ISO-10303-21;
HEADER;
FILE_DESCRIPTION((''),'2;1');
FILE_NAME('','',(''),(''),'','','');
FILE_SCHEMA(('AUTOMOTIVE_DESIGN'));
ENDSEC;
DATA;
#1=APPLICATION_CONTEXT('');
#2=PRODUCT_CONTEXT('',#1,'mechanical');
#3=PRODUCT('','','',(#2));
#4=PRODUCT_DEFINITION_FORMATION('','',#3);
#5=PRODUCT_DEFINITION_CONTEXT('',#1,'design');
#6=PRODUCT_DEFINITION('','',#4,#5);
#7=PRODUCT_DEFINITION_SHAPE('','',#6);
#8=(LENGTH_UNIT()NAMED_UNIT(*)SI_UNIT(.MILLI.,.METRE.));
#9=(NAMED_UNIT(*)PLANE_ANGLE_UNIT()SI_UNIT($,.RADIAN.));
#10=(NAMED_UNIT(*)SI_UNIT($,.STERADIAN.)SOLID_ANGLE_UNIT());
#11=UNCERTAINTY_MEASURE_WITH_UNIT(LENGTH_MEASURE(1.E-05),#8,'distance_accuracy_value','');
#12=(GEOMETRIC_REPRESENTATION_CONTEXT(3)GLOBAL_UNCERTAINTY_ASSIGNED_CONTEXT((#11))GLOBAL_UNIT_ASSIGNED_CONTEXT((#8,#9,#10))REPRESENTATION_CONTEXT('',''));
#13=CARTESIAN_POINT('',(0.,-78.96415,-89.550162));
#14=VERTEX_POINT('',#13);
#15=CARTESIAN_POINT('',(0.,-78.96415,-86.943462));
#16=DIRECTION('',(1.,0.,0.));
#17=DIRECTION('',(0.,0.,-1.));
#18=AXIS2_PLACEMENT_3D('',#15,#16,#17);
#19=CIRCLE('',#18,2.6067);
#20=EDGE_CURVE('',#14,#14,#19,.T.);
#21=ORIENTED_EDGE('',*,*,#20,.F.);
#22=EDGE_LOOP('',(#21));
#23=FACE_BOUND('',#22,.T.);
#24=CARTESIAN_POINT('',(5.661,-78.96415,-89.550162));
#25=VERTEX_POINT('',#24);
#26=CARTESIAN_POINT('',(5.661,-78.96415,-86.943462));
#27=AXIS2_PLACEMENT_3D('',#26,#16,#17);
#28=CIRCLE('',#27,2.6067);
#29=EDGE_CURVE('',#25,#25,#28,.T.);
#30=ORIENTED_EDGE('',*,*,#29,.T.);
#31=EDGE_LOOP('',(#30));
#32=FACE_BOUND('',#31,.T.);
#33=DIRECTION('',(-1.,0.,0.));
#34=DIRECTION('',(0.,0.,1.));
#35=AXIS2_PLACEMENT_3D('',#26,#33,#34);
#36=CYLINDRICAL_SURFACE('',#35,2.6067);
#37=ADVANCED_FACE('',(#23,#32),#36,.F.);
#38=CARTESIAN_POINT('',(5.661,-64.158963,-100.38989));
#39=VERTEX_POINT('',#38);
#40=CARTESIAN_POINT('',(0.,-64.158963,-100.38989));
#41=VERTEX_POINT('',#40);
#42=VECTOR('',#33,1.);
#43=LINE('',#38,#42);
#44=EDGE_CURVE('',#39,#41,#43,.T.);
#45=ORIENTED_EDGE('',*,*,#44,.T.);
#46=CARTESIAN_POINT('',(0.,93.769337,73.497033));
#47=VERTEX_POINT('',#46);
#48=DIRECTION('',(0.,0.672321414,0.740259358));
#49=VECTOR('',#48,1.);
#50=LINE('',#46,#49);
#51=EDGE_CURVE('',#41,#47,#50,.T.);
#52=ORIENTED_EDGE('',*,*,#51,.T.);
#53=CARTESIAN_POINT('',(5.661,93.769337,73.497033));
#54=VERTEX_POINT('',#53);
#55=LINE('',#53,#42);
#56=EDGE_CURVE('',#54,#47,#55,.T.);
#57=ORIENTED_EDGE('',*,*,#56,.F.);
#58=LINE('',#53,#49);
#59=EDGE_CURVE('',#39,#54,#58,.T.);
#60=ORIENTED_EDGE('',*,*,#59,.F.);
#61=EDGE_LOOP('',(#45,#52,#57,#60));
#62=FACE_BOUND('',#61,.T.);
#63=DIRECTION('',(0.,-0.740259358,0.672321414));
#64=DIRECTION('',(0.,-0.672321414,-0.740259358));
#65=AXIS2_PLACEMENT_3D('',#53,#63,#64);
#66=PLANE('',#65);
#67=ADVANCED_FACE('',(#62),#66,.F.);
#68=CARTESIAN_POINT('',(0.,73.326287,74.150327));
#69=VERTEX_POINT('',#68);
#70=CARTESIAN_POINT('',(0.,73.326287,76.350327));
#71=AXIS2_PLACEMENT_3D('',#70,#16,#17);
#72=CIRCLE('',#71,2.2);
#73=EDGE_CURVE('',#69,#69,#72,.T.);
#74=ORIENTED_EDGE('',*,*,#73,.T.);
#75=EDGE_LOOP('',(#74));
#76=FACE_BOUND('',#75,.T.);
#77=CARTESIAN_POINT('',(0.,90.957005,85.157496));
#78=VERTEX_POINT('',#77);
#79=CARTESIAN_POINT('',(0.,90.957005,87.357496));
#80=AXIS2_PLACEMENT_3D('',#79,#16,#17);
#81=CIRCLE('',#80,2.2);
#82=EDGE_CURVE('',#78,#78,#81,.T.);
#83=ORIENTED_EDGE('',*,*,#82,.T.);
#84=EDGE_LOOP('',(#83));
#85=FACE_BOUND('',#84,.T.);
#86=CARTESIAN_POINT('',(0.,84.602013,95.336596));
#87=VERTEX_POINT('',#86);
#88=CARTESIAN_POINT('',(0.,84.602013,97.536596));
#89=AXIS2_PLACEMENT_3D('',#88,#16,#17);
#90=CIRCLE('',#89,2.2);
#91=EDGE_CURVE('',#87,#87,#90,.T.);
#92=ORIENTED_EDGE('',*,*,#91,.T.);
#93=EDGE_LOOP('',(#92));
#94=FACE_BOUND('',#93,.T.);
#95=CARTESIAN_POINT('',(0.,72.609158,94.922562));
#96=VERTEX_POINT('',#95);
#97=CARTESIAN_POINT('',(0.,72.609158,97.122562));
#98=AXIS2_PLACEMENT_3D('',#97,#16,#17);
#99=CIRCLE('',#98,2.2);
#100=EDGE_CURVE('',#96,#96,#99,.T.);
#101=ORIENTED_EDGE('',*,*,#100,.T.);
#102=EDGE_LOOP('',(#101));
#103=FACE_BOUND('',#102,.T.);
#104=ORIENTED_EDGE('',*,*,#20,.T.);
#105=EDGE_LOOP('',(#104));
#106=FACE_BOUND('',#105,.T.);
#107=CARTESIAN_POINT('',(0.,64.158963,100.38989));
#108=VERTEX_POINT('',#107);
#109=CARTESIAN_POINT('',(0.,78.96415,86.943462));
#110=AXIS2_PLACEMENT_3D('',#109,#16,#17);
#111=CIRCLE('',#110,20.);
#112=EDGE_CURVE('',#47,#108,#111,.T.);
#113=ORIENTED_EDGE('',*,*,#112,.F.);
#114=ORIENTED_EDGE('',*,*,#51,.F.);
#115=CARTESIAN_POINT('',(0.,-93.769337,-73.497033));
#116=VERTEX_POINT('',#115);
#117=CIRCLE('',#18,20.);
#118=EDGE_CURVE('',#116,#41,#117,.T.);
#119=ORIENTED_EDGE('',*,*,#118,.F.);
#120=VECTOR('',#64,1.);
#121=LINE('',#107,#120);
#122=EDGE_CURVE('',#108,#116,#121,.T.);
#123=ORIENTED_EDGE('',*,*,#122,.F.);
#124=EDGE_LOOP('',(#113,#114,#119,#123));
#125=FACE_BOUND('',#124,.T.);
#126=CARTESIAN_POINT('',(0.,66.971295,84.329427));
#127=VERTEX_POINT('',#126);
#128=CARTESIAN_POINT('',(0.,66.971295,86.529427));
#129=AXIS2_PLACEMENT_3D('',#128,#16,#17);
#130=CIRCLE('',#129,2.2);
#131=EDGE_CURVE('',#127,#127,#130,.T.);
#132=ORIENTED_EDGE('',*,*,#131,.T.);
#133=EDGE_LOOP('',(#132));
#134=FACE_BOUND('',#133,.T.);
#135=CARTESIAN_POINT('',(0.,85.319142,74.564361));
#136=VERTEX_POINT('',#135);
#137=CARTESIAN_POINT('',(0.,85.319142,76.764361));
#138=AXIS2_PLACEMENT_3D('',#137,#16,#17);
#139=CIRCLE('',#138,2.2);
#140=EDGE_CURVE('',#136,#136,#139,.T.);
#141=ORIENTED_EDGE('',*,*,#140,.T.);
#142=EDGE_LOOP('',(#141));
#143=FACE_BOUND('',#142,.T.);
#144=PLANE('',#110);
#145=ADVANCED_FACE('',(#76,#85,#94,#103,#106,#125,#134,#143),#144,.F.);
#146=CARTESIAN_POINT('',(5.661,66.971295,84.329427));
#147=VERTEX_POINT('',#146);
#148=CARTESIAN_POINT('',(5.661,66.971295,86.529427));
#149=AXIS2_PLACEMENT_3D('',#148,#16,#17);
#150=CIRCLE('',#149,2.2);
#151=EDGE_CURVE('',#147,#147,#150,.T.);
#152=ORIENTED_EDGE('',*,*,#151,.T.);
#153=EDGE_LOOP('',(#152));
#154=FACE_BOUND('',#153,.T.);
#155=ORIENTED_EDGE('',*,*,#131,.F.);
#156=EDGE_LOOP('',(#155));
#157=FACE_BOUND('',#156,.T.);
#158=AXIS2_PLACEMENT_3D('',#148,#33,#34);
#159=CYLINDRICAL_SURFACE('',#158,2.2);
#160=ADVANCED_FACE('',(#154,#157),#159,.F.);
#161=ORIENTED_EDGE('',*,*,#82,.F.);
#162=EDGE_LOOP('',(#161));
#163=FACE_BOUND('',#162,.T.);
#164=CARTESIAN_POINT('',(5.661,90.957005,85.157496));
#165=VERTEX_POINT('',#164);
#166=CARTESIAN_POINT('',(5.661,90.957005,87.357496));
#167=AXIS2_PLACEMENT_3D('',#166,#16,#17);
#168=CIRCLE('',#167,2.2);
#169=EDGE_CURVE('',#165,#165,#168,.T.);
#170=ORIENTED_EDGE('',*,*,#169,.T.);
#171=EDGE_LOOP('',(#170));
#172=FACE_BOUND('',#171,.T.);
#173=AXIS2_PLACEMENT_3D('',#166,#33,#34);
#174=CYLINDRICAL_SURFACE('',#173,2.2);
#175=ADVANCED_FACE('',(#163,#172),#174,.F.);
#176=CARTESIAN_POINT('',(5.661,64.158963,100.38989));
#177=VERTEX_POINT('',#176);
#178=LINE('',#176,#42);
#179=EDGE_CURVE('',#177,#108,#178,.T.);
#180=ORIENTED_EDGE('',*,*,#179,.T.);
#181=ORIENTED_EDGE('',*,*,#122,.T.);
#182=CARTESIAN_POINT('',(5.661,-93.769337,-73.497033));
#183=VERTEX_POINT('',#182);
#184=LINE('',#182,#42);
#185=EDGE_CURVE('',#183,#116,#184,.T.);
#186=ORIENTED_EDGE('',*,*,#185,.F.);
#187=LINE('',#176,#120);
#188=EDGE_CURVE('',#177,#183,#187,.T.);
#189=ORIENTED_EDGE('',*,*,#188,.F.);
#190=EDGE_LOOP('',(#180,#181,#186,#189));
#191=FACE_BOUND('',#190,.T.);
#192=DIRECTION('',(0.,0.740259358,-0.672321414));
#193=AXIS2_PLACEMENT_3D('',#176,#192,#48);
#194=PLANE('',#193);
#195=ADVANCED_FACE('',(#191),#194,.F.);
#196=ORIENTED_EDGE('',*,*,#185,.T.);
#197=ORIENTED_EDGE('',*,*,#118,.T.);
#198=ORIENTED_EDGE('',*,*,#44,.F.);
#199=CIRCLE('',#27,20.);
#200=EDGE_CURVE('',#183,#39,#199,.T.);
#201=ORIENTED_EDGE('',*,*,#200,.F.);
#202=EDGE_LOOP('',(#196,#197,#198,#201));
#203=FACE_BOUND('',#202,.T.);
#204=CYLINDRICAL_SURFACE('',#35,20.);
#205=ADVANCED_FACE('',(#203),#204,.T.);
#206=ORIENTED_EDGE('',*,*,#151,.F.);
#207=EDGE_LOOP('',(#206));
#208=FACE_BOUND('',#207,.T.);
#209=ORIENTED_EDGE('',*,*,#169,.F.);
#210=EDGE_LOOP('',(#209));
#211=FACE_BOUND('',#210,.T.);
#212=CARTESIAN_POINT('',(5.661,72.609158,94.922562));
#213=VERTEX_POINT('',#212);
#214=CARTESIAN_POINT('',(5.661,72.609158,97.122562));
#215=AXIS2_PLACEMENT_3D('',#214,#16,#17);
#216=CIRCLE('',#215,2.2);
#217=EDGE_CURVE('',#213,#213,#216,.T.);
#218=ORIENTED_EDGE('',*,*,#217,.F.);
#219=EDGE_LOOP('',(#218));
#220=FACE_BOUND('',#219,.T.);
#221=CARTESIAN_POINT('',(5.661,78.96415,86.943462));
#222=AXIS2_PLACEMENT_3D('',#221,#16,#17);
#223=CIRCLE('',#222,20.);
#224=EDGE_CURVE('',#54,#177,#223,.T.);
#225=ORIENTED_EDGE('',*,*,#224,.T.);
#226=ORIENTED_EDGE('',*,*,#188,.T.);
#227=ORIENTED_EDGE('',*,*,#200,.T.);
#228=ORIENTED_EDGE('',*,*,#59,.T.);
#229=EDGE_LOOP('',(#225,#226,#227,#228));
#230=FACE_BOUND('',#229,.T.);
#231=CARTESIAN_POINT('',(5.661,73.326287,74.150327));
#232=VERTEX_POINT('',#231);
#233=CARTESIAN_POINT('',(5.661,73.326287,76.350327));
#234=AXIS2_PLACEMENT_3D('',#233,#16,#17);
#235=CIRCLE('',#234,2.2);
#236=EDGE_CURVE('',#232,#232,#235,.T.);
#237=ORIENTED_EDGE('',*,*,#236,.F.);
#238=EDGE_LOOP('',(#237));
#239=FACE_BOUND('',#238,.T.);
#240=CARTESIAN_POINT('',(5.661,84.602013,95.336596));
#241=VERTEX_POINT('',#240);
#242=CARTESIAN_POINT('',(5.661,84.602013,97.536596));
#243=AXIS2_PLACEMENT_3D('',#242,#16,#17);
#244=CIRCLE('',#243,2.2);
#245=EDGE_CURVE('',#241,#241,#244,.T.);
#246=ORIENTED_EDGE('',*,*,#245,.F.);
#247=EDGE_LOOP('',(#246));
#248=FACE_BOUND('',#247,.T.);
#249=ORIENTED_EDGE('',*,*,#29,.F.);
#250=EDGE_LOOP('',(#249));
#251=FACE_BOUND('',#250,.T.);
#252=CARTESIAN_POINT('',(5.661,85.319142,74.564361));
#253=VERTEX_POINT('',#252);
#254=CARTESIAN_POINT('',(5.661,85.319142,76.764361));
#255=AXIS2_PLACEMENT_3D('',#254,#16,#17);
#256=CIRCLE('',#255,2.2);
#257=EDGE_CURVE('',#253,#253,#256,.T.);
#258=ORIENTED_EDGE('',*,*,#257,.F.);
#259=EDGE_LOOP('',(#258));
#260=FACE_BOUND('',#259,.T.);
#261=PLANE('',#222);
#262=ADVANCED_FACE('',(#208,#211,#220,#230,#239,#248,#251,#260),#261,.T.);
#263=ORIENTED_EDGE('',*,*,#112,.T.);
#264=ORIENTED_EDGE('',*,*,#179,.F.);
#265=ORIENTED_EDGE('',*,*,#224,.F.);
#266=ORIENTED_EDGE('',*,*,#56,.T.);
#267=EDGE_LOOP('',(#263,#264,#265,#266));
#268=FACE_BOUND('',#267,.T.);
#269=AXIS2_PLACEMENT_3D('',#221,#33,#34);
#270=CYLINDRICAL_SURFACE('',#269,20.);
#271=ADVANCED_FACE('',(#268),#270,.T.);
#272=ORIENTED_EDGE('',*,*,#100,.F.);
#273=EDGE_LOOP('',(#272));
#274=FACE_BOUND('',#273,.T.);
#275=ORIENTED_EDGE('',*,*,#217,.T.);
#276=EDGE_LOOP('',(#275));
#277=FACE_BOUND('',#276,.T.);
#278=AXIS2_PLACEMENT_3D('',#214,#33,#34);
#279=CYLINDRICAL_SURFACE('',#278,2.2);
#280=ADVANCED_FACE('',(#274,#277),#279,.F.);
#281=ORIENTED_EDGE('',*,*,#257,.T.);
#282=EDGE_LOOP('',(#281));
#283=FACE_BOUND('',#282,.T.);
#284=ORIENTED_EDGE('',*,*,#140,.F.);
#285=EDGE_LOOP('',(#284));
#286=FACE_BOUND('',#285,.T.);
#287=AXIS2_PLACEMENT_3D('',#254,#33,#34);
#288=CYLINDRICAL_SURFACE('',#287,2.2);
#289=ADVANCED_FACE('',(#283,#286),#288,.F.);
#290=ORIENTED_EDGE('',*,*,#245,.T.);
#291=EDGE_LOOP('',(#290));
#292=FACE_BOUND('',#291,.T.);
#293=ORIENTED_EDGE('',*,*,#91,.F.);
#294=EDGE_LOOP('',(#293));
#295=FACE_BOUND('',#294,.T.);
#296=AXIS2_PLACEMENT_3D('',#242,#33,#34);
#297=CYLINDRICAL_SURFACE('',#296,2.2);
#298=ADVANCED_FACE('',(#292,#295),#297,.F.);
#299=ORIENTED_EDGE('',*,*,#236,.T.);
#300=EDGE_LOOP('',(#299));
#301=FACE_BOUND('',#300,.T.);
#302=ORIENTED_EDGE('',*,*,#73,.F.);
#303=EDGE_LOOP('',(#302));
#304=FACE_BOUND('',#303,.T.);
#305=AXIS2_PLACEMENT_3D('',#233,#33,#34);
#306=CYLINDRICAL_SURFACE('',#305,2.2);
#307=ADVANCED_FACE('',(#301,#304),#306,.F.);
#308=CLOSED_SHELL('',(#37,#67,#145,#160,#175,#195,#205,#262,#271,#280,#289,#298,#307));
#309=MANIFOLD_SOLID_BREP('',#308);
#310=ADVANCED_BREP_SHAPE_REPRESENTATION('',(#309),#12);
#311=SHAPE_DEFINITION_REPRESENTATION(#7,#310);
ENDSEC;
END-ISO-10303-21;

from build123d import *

# Parameters (mm, degrees)
SKETCH1_R           = 2.6067
SKETCH1_R_2         = 2.2
BOSS_EXTRUDE1_DEPTH = 5.661


with BuildPart() as part:
    # Sketch1 → Boss-Extrude1 (new body)
    with BuildSketch(Plane(origin=(0, 0, 0), x_dir=(0, 0, -1), z_dir=(1, 0, 0))):
        with BuildLine():
            Line((-73.497033315, 93.769337174), (100.389889855, -64.158962858))
            ThreePointArc((100.389889855, -64.158962858), (101.748648742, -92.410578286), (73.497033315, -93.769337174))
            Line((73.497033315, -93.769337174), (-100.389889855, 64.158962858))
            ThreePointArc((-100.389889855, 64.158962858), (-101.748648742, 92.410578286), (-73.497033315, 93.769337174))
        make_face()
        with Locations((86.943461585, -78.964150016)):
            Circle(SKETCH1_R, mode=Mode.SUBTRACT)
        with Locations((-97.122561671, 72.609158165)):
            Circle(SKETCH1_R_2, mode=Mode.SUBTRACT)
        with Locations((-97.536596012, 84.602013353)):
            Circle(SKETCH1_R_2, mode=Mode.SUBTRACT)
        with Locations((-87.357495925, 90.957005204)):
            Circle(SKETCH1_R_2, mode=Mode.SUBTRACT)
        with Locations((-76.764361498, 85.319141867)):
            Circle(SKETCH1_R_2, mode=Mode.SUBTRACT)
        with Locations((-76.350327157, 73.326286678)):
            Circle(SKETCH1_R_2, mode=Mode.SUBTRACT)
        with Locations((-86.529427244, 66.971294827)):
            Circle(SKETCH1_R_2, mode=Mode.SUBTRACT)
    extrude(amount=BOSS_EXTRUDE1_DEPTH)


solid = part.part
